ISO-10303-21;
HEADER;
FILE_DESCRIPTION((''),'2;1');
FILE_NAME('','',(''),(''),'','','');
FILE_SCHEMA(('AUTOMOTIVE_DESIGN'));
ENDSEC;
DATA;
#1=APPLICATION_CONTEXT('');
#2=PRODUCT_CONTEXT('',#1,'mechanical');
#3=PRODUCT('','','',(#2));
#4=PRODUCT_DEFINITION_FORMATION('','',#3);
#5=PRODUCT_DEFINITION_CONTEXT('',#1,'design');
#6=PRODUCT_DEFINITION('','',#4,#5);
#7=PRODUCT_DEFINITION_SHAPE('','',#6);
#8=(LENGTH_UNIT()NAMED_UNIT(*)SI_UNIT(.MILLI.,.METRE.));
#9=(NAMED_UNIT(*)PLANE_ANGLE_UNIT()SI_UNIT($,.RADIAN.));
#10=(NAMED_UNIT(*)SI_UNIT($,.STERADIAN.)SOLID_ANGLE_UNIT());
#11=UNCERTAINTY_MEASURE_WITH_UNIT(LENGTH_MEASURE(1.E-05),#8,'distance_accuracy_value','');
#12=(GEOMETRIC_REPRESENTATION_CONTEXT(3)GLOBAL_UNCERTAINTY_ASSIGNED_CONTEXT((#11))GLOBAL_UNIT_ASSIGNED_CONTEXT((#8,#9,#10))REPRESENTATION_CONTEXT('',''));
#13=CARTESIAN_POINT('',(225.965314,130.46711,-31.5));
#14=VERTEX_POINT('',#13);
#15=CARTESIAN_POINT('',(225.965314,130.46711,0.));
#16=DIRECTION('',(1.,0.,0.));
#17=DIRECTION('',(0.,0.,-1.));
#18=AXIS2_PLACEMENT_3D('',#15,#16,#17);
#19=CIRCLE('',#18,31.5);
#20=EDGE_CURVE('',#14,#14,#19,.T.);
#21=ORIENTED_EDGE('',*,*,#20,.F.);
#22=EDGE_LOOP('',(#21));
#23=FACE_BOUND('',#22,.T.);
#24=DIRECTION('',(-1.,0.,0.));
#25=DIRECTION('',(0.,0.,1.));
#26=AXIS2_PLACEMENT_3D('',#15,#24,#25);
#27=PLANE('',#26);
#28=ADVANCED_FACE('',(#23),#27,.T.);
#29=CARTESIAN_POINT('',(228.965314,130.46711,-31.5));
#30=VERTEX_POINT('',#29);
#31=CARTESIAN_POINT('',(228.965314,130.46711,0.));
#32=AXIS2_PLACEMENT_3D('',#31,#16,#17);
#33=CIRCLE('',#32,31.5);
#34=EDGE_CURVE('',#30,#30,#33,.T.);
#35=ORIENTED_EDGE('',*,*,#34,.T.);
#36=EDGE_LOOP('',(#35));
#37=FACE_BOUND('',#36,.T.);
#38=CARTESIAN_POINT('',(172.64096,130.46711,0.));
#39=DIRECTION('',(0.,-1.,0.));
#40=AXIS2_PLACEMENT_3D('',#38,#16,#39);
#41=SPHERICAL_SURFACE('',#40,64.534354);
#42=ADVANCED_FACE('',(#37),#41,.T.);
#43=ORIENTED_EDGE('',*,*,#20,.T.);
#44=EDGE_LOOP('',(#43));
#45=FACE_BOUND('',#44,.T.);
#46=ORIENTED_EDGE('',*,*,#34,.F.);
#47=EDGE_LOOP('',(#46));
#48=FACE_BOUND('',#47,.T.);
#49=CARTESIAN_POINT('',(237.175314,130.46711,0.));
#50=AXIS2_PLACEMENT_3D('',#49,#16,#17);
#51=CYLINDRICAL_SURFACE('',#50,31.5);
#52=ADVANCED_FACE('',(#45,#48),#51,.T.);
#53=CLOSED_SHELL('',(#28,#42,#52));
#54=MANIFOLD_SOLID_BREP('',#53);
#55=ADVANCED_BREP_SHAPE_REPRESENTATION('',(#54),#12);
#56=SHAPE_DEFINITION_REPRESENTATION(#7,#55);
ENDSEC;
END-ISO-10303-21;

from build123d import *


with BuildPart() as part:
    # 草图1 → 旋转2 (revolve)
    with BuildSketch(Plane.XY, mode=Mode.PRIVATE) as revolve_2_sk:
        with BuildLine():
            Line((237.1753142, 130.467109853), (225.9653142, 130.467109853))
            Line((225.9653142, 130.467109853), (225.9653142, 161.967109853))
            Line((225.9653142, 161.967109853), (228.9653142, 161.967109853))
            ThreePointArc((228.9653142, 161.967109853), (235.089093263, 146.743274174), (237.1753142, 130.467109853))
        make_face()
    revolve(revolve_2_sk.sketch.rotate(Axis((237.1753142, 130.467109853, 0), (-1, 0, 0)), 180), axis=Axis((237.1753142, 130.467109853, 0), (-1, 0, 0)))  # turned: the seam where the file's is


solid = part.part
